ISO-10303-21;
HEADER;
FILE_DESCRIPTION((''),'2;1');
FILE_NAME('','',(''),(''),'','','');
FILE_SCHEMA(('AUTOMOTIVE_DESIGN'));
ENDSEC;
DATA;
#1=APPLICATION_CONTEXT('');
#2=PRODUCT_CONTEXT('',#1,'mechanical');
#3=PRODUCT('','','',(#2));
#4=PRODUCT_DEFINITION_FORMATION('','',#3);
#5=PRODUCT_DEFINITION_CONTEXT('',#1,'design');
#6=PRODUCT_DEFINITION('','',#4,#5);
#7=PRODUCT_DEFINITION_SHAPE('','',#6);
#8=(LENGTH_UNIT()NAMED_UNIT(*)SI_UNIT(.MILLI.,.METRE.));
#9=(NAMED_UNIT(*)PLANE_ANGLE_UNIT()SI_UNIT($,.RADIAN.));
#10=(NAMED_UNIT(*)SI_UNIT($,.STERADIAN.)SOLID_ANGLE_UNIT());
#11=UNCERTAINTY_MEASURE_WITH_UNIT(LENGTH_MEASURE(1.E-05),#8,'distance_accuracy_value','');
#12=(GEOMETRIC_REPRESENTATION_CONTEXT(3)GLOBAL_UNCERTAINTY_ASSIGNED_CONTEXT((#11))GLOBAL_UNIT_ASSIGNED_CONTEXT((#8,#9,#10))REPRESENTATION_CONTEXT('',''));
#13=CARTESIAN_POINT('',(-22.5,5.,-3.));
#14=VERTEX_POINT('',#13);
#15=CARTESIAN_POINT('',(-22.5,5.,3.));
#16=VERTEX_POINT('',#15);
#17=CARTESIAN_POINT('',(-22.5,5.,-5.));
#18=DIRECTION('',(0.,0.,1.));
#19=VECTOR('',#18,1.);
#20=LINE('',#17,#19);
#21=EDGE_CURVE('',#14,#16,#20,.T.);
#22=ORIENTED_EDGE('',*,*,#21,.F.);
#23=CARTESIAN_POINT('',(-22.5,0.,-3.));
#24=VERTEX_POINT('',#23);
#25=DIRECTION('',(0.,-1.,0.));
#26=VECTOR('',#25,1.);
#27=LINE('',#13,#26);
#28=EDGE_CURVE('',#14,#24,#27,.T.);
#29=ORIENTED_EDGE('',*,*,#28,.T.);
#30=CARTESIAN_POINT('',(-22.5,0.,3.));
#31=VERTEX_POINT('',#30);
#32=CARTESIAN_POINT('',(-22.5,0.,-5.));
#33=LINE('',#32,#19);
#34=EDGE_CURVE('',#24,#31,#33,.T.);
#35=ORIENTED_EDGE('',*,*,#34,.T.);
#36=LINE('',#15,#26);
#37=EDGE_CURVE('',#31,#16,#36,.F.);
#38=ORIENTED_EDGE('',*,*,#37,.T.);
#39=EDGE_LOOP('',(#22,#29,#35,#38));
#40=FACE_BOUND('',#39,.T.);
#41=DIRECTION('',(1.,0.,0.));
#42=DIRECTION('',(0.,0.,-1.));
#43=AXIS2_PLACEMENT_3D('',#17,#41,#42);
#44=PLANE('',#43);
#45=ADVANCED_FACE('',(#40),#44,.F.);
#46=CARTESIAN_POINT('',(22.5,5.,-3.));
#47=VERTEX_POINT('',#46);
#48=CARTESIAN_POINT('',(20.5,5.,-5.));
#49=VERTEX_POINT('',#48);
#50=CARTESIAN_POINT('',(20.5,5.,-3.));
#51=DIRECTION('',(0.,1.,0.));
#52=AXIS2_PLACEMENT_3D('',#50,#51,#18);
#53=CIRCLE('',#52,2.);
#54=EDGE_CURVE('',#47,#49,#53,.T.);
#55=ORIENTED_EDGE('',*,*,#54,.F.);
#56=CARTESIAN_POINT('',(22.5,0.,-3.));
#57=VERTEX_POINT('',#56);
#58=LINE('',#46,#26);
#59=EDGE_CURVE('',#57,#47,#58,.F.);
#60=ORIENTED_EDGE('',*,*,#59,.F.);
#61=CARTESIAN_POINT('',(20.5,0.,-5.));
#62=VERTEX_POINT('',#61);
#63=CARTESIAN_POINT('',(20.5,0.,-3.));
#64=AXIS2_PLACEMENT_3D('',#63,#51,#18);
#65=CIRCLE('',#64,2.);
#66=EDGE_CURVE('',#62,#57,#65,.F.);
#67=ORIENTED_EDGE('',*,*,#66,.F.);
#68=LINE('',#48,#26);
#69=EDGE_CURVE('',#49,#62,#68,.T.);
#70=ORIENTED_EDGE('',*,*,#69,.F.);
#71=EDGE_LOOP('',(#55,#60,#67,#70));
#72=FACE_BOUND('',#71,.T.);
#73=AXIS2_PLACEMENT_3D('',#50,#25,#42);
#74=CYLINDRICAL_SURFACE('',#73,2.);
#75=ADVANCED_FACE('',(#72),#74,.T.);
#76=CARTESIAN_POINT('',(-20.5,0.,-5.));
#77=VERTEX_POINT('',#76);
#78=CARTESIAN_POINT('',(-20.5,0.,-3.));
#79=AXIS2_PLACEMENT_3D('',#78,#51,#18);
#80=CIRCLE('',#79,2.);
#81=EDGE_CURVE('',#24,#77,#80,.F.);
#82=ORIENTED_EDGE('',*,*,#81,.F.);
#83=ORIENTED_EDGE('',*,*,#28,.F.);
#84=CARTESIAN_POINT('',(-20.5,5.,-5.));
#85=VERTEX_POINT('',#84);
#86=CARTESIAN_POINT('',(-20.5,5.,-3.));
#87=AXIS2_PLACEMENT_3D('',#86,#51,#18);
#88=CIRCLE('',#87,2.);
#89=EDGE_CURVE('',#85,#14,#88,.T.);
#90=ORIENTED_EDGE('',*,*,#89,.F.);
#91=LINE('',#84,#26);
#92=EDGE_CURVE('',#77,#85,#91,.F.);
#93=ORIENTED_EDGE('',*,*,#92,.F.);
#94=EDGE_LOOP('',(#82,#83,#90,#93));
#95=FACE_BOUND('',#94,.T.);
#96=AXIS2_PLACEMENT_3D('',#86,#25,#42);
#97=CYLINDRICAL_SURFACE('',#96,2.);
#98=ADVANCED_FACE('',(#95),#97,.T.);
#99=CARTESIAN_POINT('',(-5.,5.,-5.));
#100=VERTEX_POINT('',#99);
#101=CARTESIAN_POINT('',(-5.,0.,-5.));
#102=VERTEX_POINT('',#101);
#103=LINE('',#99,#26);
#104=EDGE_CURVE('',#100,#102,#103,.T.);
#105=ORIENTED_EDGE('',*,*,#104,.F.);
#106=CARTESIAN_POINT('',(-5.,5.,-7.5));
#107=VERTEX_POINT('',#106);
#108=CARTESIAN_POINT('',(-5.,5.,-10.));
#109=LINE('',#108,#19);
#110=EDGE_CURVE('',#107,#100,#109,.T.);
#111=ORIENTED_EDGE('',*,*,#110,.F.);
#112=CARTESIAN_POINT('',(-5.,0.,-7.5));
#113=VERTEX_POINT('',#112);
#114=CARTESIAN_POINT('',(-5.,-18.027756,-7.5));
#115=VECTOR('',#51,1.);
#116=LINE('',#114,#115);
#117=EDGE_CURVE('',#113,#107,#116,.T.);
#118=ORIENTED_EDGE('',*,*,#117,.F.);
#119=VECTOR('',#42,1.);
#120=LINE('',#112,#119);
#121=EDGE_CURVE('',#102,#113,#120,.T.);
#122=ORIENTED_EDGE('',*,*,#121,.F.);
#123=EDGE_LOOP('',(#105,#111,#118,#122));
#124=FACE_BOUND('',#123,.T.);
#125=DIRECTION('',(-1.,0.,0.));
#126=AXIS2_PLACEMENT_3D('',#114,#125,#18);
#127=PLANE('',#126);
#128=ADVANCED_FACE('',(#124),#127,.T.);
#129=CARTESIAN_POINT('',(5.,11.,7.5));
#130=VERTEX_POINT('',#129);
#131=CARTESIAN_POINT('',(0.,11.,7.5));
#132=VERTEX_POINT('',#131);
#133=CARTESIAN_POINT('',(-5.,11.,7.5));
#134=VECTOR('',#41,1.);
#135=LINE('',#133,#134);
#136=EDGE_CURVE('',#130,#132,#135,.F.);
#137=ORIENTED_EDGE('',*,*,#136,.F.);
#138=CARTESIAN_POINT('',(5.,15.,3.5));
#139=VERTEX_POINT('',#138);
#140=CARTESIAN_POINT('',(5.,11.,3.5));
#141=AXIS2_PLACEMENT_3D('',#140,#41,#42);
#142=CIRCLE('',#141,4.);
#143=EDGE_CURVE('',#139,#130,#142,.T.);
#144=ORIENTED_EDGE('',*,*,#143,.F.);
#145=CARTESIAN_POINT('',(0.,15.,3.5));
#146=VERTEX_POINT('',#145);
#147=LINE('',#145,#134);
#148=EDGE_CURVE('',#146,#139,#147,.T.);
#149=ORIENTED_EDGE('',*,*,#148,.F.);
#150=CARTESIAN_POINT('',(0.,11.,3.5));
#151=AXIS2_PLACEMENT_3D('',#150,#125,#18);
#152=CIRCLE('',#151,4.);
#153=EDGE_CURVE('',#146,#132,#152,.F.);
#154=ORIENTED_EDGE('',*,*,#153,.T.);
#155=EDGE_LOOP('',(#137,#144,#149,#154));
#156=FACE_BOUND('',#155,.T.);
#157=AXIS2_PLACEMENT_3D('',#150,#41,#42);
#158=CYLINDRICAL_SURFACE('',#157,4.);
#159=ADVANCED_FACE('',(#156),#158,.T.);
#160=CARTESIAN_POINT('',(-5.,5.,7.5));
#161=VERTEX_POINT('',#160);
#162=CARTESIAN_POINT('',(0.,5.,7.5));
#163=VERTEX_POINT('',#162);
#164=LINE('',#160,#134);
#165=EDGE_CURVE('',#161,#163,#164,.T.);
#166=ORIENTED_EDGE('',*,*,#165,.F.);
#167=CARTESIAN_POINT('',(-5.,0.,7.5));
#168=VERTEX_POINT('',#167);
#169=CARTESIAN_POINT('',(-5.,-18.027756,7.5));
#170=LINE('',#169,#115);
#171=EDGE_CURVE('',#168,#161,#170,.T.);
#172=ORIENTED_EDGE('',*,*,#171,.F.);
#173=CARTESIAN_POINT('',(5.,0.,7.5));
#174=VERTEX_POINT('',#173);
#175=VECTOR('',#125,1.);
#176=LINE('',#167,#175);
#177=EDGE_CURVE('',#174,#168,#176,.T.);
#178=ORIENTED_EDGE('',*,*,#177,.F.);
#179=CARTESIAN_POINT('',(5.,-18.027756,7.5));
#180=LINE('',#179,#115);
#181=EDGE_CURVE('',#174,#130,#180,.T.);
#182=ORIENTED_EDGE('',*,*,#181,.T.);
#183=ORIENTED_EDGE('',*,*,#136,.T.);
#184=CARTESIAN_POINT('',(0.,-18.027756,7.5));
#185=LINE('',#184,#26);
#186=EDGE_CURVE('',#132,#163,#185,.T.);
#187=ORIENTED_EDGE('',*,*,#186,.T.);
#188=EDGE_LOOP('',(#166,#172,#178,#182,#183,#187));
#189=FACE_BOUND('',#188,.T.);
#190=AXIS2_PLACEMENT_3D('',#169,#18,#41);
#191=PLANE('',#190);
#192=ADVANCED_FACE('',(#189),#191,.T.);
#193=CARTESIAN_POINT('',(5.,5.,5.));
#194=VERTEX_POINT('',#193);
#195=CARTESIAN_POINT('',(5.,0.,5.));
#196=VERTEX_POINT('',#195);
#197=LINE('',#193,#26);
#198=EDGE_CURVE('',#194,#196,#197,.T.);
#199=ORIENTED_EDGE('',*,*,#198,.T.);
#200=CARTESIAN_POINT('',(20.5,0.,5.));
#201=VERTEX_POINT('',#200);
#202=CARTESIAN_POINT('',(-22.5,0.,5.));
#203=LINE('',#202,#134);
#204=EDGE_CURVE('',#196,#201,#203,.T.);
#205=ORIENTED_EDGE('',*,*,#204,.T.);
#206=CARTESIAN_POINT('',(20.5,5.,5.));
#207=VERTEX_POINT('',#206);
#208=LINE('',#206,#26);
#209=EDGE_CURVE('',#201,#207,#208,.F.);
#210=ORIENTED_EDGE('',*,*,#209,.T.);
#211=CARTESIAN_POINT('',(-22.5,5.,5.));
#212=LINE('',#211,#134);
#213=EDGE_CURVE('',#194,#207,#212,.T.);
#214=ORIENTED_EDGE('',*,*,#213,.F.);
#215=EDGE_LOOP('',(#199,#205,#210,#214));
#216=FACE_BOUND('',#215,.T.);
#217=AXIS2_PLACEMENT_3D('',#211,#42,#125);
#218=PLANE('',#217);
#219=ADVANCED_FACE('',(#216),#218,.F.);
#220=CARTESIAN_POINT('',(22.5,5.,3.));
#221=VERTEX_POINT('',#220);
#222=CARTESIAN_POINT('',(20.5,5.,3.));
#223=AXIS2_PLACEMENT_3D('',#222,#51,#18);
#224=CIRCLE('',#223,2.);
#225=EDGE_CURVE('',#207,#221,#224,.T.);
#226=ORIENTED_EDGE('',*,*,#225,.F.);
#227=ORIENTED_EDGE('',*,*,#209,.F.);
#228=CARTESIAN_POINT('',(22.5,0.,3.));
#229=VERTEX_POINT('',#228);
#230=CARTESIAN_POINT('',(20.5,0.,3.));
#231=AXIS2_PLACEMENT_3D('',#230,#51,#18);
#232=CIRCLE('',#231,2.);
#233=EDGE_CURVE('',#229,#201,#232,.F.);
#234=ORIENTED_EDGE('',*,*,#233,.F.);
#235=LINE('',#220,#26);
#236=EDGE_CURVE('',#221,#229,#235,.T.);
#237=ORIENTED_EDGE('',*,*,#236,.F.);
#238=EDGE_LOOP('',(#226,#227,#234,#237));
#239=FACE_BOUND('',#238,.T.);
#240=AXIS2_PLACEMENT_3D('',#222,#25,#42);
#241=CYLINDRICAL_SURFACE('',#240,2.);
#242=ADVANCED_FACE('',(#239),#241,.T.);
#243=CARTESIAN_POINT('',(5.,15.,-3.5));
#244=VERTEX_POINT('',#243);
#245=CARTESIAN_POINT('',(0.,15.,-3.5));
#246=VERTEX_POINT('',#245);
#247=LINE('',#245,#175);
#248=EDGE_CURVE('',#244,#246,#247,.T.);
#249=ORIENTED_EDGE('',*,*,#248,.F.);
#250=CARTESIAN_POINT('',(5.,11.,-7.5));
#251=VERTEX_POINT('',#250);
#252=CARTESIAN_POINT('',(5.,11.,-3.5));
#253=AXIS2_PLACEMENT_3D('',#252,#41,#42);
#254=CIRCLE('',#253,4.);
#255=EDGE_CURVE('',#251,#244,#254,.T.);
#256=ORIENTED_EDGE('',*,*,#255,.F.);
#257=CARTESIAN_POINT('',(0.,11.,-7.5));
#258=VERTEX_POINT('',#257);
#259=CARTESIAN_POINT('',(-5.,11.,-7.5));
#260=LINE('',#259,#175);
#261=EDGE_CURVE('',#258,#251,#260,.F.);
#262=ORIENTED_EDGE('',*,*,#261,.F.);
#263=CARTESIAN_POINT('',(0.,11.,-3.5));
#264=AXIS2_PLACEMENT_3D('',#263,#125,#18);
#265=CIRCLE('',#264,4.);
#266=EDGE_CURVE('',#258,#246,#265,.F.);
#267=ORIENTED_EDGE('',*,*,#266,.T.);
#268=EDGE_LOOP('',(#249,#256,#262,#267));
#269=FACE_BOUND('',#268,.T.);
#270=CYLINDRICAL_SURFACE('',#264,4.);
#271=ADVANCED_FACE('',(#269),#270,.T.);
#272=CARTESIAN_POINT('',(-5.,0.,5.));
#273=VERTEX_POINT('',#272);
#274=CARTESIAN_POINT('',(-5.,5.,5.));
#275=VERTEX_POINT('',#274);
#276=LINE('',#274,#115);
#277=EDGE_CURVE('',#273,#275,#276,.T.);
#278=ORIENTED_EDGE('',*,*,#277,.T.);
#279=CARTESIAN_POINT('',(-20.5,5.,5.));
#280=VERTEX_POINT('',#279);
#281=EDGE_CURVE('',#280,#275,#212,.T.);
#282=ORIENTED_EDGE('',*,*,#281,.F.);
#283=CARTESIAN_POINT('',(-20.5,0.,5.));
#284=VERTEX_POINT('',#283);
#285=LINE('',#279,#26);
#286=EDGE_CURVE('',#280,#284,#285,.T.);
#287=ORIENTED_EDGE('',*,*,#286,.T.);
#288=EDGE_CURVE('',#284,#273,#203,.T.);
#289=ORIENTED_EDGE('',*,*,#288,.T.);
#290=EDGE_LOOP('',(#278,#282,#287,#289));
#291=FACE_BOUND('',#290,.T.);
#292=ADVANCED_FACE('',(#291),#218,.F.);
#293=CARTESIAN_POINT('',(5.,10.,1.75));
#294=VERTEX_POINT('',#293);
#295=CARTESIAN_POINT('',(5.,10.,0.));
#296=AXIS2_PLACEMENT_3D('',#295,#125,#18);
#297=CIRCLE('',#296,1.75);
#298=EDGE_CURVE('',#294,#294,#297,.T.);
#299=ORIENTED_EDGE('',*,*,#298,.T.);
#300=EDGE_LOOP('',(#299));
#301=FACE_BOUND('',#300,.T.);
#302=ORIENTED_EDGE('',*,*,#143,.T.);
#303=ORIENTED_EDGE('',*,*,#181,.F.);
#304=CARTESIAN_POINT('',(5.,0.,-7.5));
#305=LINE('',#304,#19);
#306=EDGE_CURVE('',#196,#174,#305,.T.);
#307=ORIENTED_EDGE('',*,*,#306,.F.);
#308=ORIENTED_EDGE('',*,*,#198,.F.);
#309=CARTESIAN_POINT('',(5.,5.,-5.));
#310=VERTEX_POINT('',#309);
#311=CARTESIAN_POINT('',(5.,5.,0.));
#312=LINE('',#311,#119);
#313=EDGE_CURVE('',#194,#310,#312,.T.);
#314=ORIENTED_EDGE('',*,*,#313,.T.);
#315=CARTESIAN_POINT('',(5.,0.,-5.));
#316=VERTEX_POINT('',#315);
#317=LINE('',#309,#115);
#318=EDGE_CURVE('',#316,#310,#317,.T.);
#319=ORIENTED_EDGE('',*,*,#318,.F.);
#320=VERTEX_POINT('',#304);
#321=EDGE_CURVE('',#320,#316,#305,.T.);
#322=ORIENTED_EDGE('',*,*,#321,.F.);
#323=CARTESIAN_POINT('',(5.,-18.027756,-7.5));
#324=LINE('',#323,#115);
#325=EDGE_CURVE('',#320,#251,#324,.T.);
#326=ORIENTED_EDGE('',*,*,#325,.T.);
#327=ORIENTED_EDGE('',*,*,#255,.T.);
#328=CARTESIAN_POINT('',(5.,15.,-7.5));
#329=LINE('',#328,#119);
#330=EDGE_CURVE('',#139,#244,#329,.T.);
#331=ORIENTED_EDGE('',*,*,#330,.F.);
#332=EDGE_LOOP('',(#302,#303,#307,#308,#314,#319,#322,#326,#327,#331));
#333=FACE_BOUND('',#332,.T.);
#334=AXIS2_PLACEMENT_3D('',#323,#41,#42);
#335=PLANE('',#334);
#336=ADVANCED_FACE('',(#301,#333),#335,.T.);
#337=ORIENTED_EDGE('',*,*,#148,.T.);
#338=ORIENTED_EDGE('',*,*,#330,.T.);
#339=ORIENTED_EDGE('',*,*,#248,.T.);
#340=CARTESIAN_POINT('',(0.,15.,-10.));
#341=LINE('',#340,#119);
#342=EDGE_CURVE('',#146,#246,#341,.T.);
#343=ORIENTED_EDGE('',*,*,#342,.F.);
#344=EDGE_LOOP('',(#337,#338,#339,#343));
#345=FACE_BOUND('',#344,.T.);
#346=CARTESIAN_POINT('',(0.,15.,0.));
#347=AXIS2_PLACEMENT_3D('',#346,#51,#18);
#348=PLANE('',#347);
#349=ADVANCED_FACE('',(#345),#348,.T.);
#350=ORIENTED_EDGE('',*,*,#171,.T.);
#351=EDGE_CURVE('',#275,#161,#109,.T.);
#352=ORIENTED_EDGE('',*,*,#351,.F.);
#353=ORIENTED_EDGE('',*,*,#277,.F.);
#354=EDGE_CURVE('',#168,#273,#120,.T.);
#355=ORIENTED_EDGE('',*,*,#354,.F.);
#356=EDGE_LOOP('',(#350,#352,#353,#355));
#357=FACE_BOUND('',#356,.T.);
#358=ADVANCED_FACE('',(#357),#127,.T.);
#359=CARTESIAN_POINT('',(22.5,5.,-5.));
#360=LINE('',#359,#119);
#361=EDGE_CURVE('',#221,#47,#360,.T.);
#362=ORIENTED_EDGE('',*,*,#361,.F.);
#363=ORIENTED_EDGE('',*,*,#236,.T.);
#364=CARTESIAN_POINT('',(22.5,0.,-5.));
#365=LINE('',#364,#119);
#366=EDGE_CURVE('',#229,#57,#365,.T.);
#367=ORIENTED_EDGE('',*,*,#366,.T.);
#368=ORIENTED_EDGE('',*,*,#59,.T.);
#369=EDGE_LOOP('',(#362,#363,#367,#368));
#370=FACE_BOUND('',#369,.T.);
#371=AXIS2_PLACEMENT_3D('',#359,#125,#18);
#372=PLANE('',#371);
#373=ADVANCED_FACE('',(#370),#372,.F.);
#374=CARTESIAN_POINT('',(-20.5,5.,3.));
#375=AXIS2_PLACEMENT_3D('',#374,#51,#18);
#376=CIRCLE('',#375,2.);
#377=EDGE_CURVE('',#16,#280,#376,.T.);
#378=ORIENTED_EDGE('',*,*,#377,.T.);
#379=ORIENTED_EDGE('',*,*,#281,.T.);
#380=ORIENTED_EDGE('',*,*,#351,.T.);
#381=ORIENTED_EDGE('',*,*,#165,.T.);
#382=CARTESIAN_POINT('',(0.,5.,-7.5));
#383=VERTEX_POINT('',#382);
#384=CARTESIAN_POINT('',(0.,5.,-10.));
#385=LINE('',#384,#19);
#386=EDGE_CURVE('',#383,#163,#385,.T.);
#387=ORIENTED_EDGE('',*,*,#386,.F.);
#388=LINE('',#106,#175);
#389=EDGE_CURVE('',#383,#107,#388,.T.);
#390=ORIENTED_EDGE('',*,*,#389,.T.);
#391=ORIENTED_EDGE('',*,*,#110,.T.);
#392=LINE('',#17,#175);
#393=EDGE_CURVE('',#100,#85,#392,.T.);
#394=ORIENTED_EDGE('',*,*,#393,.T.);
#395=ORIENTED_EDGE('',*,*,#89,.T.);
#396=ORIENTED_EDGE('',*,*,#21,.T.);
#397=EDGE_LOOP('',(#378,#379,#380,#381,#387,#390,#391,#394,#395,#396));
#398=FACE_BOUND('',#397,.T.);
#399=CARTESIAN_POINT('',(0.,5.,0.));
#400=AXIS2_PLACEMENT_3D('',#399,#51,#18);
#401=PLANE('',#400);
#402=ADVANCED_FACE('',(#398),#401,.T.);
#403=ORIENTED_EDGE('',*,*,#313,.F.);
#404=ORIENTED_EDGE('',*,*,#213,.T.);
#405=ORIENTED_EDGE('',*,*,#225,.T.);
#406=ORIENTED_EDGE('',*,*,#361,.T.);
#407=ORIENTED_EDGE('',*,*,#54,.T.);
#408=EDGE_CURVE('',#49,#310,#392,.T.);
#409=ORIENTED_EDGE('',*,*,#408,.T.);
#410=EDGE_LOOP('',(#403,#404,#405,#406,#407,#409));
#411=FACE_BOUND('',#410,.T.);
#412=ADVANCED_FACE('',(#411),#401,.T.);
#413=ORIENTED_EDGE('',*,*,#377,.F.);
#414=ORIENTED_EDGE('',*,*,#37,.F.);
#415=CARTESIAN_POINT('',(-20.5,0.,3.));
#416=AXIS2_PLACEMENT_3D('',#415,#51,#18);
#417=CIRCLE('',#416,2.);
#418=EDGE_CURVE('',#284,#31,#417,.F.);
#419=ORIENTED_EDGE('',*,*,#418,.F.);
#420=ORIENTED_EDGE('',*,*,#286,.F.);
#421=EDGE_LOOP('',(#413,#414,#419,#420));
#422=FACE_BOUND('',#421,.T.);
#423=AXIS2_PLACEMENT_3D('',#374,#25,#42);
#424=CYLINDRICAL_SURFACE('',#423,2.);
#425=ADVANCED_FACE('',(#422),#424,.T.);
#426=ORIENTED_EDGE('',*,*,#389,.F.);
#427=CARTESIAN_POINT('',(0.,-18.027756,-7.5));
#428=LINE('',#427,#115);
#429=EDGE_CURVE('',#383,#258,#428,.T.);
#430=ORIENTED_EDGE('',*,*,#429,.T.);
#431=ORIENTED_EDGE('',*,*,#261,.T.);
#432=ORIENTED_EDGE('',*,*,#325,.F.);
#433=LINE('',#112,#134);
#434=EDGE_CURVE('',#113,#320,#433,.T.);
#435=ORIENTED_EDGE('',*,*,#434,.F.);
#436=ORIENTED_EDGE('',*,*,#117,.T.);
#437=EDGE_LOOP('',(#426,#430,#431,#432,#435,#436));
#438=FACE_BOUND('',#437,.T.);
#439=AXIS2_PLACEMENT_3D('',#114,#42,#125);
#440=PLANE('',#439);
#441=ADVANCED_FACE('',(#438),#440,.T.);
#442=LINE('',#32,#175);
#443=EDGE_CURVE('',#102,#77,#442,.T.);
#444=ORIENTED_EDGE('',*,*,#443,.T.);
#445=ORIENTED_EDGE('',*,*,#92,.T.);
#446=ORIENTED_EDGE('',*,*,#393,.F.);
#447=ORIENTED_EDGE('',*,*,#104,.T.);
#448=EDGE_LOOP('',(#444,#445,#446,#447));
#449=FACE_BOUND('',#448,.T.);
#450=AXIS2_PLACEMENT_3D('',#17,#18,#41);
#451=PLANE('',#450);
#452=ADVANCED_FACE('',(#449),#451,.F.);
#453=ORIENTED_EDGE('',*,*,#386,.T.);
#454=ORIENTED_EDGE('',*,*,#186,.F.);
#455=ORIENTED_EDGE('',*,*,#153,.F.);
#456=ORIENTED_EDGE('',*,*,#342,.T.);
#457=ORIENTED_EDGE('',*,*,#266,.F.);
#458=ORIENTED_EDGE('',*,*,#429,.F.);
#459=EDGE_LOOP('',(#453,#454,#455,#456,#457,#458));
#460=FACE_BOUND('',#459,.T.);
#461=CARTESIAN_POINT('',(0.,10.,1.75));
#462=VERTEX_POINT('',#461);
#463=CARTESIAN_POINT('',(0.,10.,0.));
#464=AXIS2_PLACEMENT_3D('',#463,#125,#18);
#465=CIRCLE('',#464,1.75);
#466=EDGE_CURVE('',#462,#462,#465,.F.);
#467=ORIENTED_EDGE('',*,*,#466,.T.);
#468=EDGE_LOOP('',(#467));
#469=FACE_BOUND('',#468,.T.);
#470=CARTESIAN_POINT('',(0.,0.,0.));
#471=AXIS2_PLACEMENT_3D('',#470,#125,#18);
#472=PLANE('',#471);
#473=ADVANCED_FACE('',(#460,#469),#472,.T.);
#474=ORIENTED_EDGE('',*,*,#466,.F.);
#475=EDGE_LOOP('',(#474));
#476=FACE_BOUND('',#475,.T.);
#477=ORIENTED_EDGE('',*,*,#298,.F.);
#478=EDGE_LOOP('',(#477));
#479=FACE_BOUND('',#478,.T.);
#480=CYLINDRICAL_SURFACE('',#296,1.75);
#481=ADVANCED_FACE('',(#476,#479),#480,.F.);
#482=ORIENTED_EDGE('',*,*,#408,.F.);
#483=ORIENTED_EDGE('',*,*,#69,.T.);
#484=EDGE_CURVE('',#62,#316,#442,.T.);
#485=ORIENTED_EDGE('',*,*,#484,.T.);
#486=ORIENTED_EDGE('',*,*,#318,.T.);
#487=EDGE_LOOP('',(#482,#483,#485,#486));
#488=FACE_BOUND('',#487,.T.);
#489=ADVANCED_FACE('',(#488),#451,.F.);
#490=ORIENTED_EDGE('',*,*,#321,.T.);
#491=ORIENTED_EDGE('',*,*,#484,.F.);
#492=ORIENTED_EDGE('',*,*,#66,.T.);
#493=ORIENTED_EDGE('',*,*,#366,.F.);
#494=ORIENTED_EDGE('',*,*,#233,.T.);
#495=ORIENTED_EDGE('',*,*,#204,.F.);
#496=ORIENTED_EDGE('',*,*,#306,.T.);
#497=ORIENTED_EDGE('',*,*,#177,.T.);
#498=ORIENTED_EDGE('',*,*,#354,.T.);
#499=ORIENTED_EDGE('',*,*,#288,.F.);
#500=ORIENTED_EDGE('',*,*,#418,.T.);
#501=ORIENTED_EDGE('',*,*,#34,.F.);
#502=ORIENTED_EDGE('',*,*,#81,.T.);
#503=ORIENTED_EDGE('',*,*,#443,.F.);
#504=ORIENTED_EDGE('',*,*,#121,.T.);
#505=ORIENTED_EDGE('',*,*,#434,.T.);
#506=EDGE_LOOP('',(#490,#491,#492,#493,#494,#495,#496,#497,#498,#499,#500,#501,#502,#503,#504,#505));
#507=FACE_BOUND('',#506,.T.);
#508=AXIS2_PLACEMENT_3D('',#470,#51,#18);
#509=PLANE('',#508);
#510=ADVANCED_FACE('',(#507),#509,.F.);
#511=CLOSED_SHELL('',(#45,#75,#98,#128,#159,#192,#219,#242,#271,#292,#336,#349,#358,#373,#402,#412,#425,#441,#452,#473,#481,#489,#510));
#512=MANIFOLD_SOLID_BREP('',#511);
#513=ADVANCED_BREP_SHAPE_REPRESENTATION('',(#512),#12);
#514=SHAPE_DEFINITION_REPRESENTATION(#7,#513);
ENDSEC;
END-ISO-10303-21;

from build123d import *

# Parameters (mm, degrees)
SKETCH_3_W                  = 45
SKETCH_3_H                  = 10
EXTRUDE_2_DEPTH             = 5
SKETCH_4_W                  = 10
SKETCH_4_H                  = 15
EXTRUDE_3_DEPTH             = 10
EXTRUDE_3_DIRECTION_2_REACH = 25.585
SKETCH_5_R                  = 1.75
CUT_EXTRUDE_1_DEPTH         = 10
FILLET_2_R                  = 2
FILLET_1_R                  = 4
SKETCH_8_W                  = 20
SKETCH_8_H                  = 10
CUT_EXTRUDE_2_DEPTH         = 5


with BuildPart() as part:
    # 草图3 → 凸台-拉伸2 (new body)
    with BuildSketch(Plane(origin=(0, 0, 0), x_dir=(1, 0, 0), z_dir=(0, 1, 0))):
        Rectangle(SKETCH_3_W, SKETCH_3_H)
    extrude(amount=EXTRUDE_2_DEPTH)

    # 草图4 → 凸台-拉伸3 (add)
    with BuildSketch(Plane(origin=(0, 5, 0), x_dir=(1, 0, 0), z_dir=(0, 1, 0))):
        Rectangle(SKETCH_4_W, SKETCH_4_H)
    extrude(amount=EXTRUDE_3_DEPTH)

    # 凸台-拉伸3 direction 2: up to this face of the body (flat: up to its plane)
    extrude_3_direction_2_end = Plane(part.part.faces().sort_by_distance((0, 0, 0))[0])
    # 草图4 → 凸台-拉伸3 direction 2 (add, up to the picked face)
    with BuildSketch(Plane(origin=(0, 5, 0), x_dir=(1, 0, 0), z_dir=(0, 1, 0)), mode=Mode.PRIVATE) as extrude_3_direction_2_sk1:
        Rectangle(SKETCH_4_W, SKETCH_4_H)
    extrude_3_direction_2_tool1 = split(extrude(extrude_3_direction_2_sk1.sketch, amount=-EXTRUDE_3_DIRECTION_2_REACH, mode=Mode.PRIVATE), bisect_by=extrude_3_direction_2_end, keep=Keep.BOTH, mode=Mode.PRIVATE)
    add(extrude_3_direction_2_tool1.solids().sort_by(Axis((0, 5, 0), (0, -1, 0)))[0])

    # 草图5 → 切除-拉伸1 (cut)
    with BuildSketch(Plane.ZY.offset(5)):
        with Locations((0, 10)):
            Circle(SKETCH_5_R)
    extrude(amount=-CUT_EXTRUDE_1_DEPTH, mode=Mode.SUBTRACT)

    # 圆角2
    fillet_2_edges = [part.edges().sort_by_distance(p)[0] for p in [
        (22.5, 2.5, 5),
        (-22.5, 2.5, 5),
        (-22.5, 2.5, -5),
        (22.5, 2.5, -5),
    ]]
    fillet(fillet_2_edges, radius=FILLET_2_R)

    # 圆角1
    fillet_1_edges = [part.edges().sort_by_distance(p)[0] for p in [
        (0, 15, -7.5),
        (0, 15, 7.5),
    ]]
    fillet(fillet_1_edges, radius=FILLET_1_R)

    # 草图8 → 切除-拉伸2 (cut)
    with BuildSketch(Plane.ZY.offset(5)):
        with Locations((0, 10)):
            Rectangle(SKETCH_8_W, SKETCH_8_H)
    extrude(amount=-CUT_EXTRUDE_2_DEPTH, mode=Mode.SUBTRACT)


solid = part.part
